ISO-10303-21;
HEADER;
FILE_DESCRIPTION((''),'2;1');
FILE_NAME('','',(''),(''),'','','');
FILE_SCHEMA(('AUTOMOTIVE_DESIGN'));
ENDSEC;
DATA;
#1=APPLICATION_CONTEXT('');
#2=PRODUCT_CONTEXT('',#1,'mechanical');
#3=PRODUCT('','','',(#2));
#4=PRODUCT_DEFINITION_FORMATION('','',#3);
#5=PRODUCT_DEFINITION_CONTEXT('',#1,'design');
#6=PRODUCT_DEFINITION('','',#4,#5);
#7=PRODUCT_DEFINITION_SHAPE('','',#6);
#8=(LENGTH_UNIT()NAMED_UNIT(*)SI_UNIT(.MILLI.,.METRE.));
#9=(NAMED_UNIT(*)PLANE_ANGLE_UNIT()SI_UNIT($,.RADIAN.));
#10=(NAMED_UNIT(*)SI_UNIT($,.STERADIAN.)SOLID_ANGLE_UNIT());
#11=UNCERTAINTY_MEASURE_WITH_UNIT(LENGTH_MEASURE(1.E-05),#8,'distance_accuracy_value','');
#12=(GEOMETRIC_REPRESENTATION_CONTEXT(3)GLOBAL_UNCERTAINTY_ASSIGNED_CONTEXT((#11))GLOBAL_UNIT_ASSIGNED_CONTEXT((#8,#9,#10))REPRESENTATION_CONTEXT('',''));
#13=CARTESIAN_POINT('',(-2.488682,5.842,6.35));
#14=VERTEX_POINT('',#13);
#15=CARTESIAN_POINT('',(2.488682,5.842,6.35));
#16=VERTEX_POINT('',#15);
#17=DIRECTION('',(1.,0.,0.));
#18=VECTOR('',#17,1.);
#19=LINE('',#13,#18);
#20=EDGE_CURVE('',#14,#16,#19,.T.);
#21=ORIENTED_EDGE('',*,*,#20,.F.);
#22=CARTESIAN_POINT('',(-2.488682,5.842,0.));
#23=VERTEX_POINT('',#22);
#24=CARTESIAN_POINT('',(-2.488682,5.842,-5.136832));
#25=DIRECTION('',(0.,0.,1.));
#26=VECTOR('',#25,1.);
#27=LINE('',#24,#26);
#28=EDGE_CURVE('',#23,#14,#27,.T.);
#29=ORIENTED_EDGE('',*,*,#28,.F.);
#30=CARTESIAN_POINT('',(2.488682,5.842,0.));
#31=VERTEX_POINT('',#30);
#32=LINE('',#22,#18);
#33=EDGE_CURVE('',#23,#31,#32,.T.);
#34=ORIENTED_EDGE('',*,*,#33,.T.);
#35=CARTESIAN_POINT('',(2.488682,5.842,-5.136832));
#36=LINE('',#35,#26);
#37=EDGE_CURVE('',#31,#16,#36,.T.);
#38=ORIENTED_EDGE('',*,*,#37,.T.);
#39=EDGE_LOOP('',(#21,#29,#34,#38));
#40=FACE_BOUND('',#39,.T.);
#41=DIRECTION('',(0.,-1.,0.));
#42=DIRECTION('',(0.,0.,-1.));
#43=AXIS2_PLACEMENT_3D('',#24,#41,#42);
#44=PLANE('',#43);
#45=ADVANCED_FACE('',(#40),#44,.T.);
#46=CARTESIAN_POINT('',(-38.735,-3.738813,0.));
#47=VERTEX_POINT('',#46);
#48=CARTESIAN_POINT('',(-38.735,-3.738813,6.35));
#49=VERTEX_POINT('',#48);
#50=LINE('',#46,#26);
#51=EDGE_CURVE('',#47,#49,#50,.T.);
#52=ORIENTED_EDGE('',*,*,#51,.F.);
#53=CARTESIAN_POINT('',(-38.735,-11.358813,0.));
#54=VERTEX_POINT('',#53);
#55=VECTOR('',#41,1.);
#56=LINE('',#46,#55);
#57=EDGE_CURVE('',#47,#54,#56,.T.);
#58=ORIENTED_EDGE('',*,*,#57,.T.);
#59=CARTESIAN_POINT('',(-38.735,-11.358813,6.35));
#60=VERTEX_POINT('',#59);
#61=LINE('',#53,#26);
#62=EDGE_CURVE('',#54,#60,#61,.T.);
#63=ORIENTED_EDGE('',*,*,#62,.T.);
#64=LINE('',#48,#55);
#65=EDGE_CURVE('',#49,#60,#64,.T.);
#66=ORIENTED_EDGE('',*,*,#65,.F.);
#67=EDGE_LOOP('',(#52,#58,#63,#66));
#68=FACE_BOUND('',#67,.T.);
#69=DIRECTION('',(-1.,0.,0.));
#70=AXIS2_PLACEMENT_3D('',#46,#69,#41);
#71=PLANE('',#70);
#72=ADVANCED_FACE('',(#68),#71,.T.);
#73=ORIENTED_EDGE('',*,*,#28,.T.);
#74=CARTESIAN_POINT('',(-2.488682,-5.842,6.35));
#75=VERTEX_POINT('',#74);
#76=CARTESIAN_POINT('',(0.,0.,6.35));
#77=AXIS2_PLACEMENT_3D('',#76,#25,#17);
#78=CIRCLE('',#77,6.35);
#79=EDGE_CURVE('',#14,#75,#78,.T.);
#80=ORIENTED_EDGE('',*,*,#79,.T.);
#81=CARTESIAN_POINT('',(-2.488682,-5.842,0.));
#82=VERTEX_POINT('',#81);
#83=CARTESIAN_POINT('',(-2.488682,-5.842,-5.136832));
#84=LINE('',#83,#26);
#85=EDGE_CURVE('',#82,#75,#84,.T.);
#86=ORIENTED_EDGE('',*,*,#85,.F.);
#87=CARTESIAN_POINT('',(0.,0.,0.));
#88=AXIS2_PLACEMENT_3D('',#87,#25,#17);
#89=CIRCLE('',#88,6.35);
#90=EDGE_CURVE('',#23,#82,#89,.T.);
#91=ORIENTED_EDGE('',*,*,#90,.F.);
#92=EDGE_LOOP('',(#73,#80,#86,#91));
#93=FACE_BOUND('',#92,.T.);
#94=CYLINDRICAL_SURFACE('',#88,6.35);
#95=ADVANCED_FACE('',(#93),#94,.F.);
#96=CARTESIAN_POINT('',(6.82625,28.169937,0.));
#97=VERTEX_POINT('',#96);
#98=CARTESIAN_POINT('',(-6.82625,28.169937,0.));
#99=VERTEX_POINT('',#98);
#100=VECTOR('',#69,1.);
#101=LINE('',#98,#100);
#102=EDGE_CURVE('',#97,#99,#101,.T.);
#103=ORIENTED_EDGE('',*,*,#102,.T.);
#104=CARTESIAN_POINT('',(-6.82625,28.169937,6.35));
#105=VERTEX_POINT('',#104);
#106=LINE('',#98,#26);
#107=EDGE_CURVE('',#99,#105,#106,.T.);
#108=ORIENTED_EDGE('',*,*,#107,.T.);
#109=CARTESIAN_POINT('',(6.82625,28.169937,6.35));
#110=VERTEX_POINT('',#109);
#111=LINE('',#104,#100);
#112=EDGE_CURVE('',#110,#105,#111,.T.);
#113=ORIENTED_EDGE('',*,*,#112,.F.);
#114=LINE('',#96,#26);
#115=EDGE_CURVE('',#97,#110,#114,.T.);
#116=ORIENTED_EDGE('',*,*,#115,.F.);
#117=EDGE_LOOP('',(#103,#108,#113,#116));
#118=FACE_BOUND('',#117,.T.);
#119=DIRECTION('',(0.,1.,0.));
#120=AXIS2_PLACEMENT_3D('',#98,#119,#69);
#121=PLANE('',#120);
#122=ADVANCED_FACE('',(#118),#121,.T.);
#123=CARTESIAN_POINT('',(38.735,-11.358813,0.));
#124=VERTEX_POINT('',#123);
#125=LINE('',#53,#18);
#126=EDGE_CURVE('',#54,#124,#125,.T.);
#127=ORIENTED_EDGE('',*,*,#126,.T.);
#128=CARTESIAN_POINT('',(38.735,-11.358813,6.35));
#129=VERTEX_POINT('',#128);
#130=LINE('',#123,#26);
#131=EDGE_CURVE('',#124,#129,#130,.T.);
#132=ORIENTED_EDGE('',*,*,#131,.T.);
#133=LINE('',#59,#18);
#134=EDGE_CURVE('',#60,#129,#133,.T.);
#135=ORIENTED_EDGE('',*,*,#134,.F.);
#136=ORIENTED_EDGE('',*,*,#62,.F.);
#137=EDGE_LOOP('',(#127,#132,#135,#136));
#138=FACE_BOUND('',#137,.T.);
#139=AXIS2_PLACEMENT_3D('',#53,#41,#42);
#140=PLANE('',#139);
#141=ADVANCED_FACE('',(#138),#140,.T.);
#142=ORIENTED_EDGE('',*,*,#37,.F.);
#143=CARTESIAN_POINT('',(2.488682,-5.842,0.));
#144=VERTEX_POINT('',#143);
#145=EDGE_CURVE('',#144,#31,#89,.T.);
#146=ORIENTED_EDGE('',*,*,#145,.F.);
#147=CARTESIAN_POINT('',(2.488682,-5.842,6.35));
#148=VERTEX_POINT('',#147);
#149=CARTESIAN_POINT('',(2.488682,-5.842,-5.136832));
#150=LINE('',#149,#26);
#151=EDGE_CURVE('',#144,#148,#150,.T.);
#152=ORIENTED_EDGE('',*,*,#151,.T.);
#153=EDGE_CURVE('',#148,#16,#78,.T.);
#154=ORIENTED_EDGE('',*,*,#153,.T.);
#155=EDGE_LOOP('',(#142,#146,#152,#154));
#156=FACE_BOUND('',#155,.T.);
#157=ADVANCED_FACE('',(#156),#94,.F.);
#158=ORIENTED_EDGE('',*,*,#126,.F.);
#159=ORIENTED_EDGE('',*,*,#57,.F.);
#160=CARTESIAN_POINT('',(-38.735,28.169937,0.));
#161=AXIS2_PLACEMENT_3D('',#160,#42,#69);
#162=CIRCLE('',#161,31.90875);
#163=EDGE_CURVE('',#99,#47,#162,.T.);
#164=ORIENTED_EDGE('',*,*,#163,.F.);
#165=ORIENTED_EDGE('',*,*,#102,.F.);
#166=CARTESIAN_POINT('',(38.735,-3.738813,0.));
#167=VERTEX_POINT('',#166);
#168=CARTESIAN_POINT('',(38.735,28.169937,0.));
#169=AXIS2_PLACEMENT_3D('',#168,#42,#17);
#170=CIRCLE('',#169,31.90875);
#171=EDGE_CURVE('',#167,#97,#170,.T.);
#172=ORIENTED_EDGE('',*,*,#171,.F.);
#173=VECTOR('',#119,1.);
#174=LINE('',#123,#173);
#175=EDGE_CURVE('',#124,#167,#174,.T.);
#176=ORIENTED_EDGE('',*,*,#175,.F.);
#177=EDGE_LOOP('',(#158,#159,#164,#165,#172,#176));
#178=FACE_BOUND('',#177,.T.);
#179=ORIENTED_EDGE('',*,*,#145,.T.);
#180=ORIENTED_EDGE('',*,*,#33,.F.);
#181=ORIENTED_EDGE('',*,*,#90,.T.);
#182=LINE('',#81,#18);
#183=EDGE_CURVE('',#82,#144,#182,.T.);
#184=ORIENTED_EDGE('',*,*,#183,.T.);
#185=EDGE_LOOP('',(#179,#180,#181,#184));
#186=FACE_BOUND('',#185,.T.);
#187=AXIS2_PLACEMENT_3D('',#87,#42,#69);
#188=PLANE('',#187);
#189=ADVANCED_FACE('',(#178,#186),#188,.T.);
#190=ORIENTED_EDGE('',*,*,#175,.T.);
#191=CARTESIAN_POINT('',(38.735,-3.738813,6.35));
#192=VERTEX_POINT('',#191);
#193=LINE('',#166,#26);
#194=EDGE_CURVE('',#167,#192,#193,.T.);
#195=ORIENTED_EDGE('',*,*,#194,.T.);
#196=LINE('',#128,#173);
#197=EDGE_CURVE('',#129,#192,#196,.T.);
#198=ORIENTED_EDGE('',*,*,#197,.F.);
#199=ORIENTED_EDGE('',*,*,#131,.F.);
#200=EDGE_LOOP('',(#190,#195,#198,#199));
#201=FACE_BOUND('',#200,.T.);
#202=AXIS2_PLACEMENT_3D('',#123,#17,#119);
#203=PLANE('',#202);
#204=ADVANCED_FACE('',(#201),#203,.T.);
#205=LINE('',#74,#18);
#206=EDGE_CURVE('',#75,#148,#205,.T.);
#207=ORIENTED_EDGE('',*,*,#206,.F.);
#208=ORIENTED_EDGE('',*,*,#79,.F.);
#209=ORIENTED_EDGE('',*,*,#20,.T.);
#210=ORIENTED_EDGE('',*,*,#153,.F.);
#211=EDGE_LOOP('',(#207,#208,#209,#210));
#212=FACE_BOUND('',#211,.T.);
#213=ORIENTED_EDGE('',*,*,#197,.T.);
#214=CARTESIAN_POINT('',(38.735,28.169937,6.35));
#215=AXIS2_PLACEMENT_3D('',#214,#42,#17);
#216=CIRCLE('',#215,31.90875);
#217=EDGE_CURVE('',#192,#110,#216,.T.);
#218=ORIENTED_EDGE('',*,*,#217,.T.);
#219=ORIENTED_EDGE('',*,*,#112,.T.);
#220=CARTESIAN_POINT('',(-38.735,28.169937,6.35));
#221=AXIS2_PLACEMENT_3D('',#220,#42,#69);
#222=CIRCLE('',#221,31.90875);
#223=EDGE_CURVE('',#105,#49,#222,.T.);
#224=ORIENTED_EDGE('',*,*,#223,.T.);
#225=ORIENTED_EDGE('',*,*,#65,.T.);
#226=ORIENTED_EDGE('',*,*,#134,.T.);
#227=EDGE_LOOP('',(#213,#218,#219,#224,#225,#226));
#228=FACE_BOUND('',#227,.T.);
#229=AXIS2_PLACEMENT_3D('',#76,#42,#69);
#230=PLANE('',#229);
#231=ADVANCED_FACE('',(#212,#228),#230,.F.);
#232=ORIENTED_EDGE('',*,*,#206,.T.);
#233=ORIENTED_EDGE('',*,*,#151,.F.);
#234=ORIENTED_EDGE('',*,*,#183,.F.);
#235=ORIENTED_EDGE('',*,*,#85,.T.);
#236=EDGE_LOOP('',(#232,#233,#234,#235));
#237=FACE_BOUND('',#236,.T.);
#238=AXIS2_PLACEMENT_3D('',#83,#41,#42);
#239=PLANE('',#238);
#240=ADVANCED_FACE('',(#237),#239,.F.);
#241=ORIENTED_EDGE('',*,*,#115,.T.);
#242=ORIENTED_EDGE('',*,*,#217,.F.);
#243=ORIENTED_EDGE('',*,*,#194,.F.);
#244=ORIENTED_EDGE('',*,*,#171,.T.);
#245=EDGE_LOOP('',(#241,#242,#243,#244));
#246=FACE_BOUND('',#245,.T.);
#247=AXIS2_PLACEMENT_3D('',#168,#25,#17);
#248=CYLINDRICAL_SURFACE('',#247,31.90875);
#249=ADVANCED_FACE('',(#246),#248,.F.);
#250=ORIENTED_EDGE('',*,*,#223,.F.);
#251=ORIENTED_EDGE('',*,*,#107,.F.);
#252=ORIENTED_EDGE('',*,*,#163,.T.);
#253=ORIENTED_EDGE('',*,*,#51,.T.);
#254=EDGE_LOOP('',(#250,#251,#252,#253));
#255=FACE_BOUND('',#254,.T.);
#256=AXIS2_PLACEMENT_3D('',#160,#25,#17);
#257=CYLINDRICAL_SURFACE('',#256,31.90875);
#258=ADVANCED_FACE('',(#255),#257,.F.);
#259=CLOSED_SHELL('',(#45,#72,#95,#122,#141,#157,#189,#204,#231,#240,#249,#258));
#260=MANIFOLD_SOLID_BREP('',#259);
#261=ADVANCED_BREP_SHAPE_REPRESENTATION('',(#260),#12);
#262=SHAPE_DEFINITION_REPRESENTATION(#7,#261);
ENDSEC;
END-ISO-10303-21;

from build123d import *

# Parameters (mm, degrees)
SKETCH1_W           = 129.563097232
SKETCH1_H           = 81.098705598
BOSS_EXTRUDE1_DEPTH = 6.35
SKETCH2_R           = 6.35
CUT_EXTRUDE1_DEPTH  = 77.689122785
SKETCH4_OUTSIDE_W   = 162.16
SKETCH4_OUTSIDE_H   = 113.694
CUT_EXTRUDE2_DEPTH  = 77.689122785
SKETCH6_W           = 4.977363158
SKETCH6_H           = 1.27
BOSS_EXTRUDE2_DEPTH = 6.35


with BuildPart() as part:
    # Sketch1 → Boss-Extrude1 (new body)
    with BuildSketch(Plane.XY):
        Rectangle(SKETCH1_W, SKETCH1_H)
    extrude(amount=BOSS_EXTRUDE1_DEPTH)

    # Sketch2 → Cut-Extrude1 (cut, through all)
    with BuildSketch(Plane.XY.offset(6.35)):
        Circle(SKETCH2_R)
    extrude(amount=-CUT_EXTRUDE1_DEPTH, mode=Mode.SUBTRACT)

    # Sketch4 outside → Cut-Extrude2 (cut, through all)
    with BuildSketch(Plane.XY.offset(6.35)):
        Rectangle(SKETCH4_OUTSIDE_W, SKETCH4_OUTSIDE_H)
        with BuildLine():
            Line((-38.735, -11.358813087), (38.735, -11.358813087))
            Line((38.735, -11.358813087), (38.735, -3.738813087))
            ThreePointArc((38.735, -3.738813087), (16.172106496, 5.607043409), (6.82625, 28.169936913))
            Line((6.82625, 28.169936913), (-6.82625, 28.169936913))
            ThreePointArc((-6.82625, 28.169936913), (-16.172106496, 5.607043409), (-38.735, -3.738813087))
            Line((-38.735, -3.738813087), (-38.735, -11.358813087))
        make_face(mode=Mode.SUBTRACT)
    extrude(amount=-CUT_EXTRUDE2_DEPTH, mode=Mode.SUBTRACT)

    # Sketch6 → Boss-Extrude2 (add)
    with BuildSketch(Plane.XY.offset(6.35)):
        with Locations((0, 6.477)):
            Rectangle(SKETCH6_W, SKETCH6_H)
    boss_extrude2 = extrude(amount=-BOSS_EXTRUDE2_DEPTH)

    # Mirror1: Boss-Extrude2 across plane
    add(boss_extrude2.mirror(Plane.ZX))


solid = part.part
